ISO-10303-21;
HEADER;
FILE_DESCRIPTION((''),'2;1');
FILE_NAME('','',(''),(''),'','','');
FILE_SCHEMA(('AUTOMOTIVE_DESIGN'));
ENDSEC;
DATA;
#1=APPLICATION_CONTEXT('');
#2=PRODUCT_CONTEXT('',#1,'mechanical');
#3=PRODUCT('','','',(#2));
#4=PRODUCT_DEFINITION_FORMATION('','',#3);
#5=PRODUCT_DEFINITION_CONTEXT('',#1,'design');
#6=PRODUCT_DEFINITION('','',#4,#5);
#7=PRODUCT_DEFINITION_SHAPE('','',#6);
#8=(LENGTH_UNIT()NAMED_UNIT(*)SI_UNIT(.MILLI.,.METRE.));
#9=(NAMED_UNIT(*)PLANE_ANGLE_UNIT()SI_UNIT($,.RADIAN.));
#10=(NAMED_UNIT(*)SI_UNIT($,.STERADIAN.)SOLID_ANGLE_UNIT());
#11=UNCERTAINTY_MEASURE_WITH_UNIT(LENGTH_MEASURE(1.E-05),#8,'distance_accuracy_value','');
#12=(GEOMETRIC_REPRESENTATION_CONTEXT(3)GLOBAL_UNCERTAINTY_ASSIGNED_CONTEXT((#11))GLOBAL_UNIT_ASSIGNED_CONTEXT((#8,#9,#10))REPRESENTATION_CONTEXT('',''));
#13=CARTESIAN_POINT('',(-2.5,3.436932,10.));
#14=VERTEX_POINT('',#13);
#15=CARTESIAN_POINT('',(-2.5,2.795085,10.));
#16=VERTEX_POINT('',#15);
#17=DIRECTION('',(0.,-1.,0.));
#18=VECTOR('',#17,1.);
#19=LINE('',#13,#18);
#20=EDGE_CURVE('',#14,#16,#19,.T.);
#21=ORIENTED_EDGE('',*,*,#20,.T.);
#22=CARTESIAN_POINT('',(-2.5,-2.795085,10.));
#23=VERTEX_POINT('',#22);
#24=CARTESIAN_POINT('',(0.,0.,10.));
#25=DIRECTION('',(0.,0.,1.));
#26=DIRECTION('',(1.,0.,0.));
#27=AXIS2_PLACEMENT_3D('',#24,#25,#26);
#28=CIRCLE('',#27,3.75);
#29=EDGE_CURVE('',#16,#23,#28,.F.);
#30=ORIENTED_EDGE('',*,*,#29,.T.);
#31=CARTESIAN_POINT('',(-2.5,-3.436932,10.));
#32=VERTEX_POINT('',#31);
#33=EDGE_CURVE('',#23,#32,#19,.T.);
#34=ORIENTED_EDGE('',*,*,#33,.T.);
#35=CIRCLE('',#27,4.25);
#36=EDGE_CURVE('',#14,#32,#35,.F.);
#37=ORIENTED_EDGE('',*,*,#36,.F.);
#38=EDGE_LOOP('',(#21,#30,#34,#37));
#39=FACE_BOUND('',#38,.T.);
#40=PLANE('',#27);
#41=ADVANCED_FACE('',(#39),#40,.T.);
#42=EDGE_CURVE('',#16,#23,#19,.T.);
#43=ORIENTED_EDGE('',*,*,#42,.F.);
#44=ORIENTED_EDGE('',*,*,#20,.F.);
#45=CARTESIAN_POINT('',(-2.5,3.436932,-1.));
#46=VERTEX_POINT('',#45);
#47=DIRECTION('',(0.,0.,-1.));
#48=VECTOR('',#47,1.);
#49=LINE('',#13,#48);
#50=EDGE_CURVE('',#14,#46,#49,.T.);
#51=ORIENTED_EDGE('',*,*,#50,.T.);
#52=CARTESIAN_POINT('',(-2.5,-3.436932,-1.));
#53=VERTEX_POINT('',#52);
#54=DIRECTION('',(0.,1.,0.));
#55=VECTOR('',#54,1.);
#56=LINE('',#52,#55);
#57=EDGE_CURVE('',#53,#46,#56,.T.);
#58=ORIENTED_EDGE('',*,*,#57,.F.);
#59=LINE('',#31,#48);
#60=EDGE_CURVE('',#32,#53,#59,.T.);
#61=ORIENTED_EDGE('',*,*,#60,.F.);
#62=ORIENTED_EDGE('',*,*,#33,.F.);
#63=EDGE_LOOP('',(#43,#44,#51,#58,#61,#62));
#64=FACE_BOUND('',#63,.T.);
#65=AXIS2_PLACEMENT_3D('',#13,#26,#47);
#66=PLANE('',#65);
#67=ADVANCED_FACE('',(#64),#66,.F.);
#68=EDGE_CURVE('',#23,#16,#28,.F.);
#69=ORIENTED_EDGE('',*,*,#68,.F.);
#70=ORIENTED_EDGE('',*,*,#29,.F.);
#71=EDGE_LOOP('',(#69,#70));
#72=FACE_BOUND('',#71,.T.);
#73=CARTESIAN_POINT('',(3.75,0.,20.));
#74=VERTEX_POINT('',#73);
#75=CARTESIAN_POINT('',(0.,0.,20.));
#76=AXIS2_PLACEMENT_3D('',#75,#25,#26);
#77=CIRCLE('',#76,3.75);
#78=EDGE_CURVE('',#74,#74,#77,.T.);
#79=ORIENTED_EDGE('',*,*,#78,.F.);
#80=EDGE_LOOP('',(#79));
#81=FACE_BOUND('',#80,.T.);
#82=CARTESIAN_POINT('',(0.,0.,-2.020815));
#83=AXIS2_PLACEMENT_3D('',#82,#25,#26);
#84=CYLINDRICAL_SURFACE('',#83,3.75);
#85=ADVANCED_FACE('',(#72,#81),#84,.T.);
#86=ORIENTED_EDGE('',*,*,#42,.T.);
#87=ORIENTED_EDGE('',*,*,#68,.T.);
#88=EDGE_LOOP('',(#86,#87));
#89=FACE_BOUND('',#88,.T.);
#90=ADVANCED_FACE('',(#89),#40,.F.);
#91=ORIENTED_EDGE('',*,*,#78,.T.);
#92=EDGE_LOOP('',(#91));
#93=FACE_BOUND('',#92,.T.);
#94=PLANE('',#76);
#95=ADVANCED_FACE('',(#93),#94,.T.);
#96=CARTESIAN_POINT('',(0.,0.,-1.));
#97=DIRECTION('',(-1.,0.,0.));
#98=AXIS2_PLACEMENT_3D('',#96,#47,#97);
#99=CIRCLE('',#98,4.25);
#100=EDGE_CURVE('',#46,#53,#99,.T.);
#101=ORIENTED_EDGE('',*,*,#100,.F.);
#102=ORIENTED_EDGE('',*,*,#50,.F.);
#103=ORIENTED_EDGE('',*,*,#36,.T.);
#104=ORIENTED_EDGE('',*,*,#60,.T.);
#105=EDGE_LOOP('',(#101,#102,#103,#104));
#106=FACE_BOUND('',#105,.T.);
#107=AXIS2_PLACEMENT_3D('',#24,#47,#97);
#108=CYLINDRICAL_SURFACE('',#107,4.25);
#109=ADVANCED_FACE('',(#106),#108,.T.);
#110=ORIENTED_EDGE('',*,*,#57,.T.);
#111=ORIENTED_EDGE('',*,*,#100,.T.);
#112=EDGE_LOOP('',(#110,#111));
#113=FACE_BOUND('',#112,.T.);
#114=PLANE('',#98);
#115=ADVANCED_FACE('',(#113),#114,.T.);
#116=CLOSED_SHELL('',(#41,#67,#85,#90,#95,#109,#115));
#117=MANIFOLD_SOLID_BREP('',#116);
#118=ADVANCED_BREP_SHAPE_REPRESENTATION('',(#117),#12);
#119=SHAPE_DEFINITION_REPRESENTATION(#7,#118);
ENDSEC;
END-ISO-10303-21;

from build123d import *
from build123d.topology import SkipClean

# Parameters (mm, degrees)
BOSS_EXTRUDE1_DEPTH = 10
SKETCH2_R           = 4.25
BOSS_EXTRUDE2_DEPTH = 20
BOSS_EXTRUDE3_START = 1
BOSS_EXTRUDE3_DEPTH = 1
CUT_EXTRUDE1_START  = -20
SKETCH5_R           = 4.25
SKETCH5_R_2         = 3.75
CUT_EXTRUDE1_DEPTH  = 20
CUT_EXTRUDE2_START  = -10
SKETCH6_R           = 3.75
CUT_EXTRUDE2_DEPTH  = 10


with BuildPart() as part:
    # Sketch1 → Boss-Extrude1 (new body)
    with BuildSketch(Plane.XY):
        with BuildLine():
            Line((-2.5, 3.436931771), (-2.5, -3.436931771))
            ThreePointArc((-2.5, -3.436931771), (4.25, 0), (-2.5, 3.436931771))
        make_face()
    extrude(amount=BOSS_EXTRUDE1_DEPTH)

    # Sketch2 → Boss-Extrude2 (add)
    with BuildSketch(Plane.XY.offset(10)):
        with Locations(Location((0, 0, 0), (0, 0, 126.031879072))):
            Circle(SKETCH2_R)
    extrude(amount=BOSS_EXTRUDE2_DEPTH)

    # Sketch3 → Boss-Extrude3 (add)
    with SkipClean():  # the faces are left unmerged after this step: merging them gives an invalid solid
        with BuildSketch(Plane(origin=(0, 0, 0), x_dir=(-1, 0, 0), z_dir=(0, 0, -1)).offset(BOSS_EXTRUDE3_START)):
            with BuildLine():
                Line((2.5, -3.436931771), (2.5, 3.436931771))
                ThreePointArc((2.5, 3.436931771), (-4.25, 0), (2.5, -3.436931771))
            make_face()
        extrude(amount=-BOSS_EXTRUDE3_DEPTH)

    # Sketch5 → Cut-Extrude1 (cut)
    with SkipClean():  # the faces are left unmerged after this step: merging them gives an invalid solid
        with BuildSketch(Plane.XY.offset(30).offset(CUT_EXTRUDE1_START)):
            Circle(SKETCH5_R)
            Circle(SKETCH5_R_2, mode=Mode.SUBTRACT)
        extrude(amount=CUT_EXTRUDE1_DEPTH, mode=Mode.SUBTRACT)

    # Sketch6 → Cut-Extrude2 (cut)
    with SkipClean():  # the faces are left unmerged after this step: merging them gives an invalid solid
        with BuildSketch(Plane.XY.offset(30).offset(CUT_EXTRUDE2_START)):
            Circle(SKETCH6_R)
        extrude(amount=CUT_EXTRUDE2_DEPTH, mode=Mode.SUBTRACT)


solid = part.part
